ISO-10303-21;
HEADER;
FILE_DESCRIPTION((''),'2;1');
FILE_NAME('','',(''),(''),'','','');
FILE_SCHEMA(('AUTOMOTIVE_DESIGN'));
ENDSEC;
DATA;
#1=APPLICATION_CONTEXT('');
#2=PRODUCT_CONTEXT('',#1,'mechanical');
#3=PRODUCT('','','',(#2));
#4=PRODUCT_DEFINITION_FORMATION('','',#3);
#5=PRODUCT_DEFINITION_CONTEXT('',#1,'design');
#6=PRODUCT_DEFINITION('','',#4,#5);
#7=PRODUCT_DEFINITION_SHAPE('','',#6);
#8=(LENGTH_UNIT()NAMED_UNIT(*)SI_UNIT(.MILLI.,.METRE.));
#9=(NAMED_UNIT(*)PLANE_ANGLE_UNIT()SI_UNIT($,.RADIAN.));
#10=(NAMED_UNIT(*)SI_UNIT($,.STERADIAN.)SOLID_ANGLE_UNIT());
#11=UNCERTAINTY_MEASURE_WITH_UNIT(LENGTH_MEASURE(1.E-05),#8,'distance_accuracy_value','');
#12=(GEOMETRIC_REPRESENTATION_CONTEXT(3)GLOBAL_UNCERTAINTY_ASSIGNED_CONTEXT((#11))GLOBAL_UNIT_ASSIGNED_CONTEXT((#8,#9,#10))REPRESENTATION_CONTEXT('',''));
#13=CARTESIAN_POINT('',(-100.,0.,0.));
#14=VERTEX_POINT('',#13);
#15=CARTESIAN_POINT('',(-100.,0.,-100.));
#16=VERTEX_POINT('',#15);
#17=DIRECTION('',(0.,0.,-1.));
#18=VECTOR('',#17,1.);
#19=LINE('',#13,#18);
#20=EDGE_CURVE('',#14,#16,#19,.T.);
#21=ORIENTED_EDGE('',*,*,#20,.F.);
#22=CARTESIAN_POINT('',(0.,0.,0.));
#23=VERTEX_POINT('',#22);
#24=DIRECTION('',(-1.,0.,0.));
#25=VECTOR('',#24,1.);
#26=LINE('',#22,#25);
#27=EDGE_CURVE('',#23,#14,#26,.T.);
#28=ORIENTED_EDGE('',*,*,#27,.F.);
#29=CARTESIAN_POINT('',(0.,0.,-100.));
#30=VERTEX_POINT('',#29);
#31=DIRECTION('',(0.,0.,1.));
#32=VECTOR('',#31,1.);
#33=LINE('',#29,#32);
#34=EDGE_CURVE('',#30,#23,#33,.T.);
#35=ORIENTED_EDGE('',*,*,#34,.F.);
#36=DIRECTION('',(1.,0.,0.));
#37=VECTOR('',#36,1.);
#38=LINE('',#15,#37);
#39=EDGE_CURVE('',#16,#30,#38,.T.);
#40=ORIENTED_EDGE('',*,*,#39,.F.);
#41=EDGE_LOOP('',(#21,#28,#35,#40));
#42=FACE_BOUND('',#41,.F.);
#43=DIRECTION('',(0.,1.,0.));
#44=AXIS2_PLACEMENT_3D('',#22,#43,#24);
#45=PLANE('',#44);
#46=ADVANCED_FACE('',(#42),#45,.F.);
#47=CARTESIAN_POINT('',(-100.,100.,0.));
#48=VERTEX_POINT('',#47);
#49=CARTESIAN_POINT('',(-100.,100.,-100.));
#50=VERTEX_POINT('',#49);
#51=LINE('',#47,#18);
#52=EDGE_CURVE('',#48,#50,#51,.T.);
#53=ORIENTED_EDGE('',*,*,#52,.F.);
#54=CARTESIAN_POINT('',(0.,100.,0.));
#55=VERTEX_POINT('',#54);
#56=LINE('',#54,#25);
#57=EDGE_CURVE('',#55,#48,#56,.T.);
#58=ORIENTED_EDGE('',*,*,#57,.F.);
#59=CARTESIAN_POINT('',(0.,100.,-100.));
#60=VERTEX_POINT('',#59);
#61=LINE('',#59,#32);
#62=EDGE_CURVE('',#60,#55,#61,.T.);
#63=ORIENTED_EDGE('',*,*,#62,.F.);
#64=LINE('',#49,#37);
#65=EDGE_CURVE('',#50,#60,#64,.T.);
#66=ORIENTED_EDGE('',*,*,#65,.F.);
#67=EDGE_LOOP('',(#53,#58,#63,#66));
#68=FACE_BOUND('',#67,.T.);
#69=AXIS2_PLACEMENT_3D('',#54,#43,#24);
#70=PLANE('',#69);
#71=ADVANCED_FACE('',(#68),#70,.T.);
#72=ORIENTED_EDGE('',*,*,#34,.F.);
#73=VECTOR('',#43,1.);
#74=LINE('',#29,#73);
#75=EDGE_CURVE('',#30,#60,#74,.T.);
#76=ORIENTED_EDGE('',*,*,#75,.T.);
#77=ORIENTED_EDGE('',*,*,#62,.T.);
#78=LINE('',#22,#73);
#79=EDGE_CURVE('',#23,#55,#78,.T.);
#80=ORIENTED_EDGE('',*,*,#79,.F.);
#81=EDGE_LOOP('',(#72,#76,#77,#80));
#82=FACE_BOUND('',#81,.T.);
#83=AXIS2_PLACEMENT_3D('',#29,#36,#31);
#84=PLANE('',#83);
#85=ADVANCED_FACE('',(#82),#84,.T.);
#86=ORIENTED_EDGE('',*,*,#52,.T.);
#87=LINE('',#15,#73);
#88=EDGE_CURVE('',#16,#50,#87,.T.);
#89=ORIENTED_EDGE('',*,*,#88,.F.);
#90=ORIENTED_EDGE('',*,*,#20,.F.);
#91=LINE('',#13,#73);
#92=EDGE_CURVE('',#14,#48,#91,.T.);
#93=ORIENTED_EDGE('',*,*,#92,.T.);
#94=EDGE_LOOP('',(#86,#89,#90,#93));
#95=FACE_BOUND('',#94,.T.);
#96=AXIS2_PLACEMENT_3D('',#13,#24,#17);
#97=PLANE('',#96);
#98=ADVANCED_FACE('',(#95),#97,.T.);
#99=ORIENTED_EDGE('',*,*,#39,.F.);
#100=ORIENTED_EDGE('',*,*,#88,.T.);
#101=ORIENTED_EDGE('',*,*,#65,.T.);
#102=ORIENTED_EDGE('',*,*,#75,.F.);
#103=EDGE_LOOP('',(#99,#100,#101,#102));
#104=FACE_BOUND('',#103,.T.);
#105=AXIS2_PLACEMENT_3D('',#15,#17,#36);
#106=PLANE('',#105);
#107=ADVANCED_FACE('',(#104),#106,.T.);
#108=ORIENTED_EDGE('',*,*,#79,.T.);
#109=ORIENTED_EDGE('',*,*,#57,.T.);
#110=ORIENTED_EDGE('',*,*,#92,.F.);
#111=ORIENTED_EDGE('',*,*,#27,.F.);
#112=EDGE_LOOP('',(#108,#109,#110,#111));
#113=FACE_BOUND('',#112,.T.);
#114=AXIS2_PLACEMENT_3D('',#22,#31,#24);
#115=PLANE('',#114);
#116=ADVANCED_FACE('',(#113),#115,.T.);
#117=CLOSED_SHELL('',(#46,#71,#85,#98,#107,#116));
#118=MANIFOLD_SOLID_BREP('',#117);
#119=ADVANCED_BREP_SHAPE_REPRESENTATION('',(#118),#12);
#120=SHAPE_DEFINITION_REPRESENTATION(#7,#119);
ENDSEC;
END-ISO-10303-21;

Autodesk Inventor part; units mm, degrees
ref_plane "YZ Plane" through (0, 0, 0) normal (1, 0, 0) x (0, 1, 0)
ref_plane "XZ Plane" through (0, 0, 0) normal (0, 1, 0) x (-1, 0, 0)
ref_plane "XY Plane" through (0, 0, 0) normal (0, 0, 1) x (1, 0, 0)
sketch "Sketch1" plane through (0, 0, 0) normal (0, 1, 0) x (-1, 0, 0)
  line L0 (0, 0) -> (100, 0)
  line L1 (100, 0) -> (100, -100)
  line L2 (100, -100) -> (0, -100)
  line L3 (0, -100) -> (0, 0)
  dimension "d0" = 100
  dimension "d1" = 100
extrude "Extrusion1" add sketch "Sketch1" along normal blind 100
properties part number "test stefan"
